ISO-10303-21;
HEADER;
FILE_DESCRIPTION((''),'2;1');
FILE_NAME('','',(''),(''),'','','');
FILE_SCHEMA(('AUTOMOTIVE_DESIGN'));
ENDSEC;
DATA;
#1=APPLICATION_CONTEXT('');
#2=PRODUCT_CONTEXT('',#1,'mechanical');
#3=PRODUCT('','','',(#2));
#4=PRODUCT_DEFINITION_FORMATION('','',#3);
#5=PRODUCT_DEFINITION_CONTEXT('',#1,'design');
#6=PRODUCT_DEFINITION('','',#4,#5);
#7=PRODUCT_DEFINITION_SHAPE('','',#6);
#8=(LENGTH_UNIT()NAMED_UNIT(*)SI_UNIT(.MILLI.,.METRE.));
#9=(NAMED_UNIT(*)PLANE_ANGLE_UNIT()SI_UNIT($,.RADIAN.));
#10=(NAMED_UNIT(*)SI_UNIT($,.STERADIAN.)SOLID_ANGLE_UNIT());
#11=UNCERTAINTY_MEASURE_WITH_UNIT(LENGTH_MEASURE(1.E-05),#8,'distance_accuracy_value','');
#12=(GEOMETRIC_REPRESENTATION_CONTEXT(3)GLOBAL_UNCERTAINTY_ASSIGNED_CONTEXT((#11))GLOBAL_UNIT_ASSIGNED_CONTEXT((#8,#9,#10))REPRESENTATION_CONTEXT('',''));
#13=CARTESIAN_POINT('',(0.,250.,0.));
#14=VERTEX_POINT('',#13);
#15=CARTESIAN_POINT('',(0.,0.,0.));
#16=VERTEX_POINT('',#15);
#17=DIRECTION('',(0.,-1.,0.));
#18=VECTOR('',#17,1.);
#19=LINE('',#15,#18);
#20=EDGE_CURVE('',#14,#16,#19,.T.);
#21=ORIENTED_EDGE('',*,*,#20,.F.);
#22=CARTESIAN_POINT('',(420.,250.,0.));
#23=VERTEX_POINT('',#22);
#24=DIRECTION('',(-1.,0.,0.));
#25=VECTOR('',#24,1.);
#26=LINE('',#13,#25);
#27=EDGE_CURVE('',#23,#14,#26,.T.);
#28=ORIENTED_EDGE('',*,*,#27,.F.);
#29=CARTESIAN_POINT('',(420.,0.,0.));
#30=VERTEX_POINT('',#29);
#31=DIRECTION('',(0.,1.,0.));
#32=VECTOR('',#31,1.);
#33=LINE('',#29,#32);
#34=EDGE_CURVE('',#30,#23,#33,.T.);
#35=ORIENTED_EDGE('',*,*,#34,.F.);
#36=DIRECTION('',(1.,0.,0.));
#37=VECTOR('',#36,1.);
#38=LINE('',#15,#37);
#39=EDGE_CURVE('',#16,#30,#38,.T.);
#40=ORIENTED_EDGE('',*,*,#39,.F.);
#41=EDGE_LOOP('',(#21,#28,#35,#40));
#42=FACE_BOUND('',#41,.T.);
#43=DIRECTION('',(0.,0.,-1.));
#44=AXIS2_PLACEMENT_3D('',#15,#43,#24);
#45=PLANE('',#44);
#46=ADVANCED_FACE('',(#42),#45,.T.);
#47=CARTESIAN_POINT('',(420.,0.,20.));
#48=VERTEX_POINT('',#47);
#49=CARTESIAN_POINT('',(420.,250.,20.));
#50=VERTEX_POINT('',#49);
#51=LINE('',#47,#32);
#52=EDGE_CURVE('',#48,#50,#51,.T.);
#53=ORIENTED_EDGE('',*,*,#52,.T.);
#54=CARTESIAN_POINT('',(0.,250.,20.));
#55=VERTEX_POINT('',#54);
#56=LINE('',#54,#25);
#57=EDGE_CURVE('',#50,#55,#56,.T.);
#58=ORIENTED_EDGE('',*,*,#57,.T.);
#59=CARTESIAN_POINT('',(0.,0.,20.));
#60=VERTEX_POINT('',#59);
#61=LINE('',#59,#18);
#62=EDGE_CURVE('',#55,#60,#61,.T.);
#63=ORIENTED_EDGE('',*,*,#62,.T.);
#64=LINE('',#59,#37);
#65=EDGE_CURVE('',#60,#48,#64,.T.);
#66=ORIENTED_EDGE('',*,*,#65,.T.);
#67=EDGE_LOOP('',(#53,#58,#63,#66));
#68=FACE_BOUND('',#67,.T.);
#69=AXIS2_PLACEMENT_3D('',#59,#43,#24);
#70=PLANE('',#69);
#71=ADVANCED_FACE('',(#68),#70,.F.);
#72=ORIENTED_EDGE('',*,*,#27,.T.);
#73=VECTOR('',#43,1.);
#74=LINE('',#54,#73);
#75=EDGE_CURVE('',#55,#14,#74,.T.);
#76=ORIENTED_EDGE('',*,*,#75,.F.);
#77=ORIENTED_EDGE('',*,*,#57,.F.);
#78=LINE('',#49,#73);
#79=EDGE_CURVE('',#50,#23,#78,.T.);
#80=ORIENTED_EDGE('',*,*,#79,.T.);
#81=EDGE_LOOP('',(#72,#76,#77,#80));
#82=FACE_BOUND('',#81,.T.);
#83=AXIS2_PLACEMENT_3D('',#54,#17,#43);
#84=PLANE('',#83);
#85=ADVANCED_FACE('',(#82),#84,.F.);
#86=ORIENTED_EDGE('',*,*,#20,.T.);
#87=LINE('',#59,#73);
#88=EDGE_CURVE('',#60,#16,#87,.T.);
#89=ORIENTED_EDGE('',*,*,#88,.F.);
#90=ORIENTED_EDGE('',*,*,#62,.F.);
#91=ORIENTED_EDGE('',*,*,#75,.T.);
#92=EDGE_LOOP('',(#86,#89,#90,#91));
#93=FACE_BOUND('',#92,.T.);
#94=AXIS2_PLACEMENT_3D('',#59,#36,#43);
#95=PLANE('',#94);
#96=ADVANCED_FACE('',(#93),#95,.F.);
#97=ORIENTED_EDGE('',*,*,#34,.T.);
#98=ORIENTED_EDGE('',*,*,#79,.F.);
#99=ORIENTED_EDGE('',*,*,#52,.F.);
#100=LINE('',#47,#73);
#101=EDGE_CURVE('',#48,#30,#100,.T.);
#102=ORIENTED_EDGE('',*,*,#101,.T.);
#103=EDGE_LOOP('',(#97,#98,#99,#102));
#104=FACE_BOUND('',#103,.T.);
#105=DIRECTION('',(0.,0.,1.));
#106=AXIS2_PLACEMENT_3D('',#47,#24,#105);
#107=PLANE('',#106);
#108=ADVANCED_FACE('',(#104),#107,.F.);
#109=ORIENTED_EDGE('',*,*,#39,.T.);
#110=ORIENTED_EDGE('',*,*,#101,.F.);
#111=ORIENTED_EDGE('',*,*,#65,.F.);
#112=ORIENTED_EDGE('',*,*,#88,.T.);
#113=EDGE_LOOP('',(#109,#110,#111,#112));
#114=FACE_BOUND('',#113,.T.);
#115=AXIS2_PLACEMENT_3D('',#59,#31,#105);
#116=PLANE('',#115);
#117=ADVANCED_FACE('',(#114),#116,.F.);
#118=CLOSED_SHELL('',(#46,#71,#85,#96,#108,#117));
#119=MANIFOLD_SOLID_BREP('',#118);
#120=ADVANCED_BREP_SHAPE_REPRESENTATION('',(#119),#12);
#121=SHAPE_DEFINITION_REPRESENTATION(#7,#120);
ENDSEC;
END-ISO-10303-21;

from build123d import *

# Parameters (mm, degrees)
SKETCH_1_W      = 420
SKETCH_1_H      = 250
EXTRUDE_1_DEPTH = 20


with BuildPart() as part:
    # ｽｹｯﾁ1 → ﾎﾞｽ - 押し出し1 (new body)
    with BuildSketch(Plane.XY):
        with Locations((210, 125)):
            Rectangle(SKETCH_1_W, SKETCH_1_H)
    extrude(amount=EXTRUDE_1_DEPTH)


solid = part.part
